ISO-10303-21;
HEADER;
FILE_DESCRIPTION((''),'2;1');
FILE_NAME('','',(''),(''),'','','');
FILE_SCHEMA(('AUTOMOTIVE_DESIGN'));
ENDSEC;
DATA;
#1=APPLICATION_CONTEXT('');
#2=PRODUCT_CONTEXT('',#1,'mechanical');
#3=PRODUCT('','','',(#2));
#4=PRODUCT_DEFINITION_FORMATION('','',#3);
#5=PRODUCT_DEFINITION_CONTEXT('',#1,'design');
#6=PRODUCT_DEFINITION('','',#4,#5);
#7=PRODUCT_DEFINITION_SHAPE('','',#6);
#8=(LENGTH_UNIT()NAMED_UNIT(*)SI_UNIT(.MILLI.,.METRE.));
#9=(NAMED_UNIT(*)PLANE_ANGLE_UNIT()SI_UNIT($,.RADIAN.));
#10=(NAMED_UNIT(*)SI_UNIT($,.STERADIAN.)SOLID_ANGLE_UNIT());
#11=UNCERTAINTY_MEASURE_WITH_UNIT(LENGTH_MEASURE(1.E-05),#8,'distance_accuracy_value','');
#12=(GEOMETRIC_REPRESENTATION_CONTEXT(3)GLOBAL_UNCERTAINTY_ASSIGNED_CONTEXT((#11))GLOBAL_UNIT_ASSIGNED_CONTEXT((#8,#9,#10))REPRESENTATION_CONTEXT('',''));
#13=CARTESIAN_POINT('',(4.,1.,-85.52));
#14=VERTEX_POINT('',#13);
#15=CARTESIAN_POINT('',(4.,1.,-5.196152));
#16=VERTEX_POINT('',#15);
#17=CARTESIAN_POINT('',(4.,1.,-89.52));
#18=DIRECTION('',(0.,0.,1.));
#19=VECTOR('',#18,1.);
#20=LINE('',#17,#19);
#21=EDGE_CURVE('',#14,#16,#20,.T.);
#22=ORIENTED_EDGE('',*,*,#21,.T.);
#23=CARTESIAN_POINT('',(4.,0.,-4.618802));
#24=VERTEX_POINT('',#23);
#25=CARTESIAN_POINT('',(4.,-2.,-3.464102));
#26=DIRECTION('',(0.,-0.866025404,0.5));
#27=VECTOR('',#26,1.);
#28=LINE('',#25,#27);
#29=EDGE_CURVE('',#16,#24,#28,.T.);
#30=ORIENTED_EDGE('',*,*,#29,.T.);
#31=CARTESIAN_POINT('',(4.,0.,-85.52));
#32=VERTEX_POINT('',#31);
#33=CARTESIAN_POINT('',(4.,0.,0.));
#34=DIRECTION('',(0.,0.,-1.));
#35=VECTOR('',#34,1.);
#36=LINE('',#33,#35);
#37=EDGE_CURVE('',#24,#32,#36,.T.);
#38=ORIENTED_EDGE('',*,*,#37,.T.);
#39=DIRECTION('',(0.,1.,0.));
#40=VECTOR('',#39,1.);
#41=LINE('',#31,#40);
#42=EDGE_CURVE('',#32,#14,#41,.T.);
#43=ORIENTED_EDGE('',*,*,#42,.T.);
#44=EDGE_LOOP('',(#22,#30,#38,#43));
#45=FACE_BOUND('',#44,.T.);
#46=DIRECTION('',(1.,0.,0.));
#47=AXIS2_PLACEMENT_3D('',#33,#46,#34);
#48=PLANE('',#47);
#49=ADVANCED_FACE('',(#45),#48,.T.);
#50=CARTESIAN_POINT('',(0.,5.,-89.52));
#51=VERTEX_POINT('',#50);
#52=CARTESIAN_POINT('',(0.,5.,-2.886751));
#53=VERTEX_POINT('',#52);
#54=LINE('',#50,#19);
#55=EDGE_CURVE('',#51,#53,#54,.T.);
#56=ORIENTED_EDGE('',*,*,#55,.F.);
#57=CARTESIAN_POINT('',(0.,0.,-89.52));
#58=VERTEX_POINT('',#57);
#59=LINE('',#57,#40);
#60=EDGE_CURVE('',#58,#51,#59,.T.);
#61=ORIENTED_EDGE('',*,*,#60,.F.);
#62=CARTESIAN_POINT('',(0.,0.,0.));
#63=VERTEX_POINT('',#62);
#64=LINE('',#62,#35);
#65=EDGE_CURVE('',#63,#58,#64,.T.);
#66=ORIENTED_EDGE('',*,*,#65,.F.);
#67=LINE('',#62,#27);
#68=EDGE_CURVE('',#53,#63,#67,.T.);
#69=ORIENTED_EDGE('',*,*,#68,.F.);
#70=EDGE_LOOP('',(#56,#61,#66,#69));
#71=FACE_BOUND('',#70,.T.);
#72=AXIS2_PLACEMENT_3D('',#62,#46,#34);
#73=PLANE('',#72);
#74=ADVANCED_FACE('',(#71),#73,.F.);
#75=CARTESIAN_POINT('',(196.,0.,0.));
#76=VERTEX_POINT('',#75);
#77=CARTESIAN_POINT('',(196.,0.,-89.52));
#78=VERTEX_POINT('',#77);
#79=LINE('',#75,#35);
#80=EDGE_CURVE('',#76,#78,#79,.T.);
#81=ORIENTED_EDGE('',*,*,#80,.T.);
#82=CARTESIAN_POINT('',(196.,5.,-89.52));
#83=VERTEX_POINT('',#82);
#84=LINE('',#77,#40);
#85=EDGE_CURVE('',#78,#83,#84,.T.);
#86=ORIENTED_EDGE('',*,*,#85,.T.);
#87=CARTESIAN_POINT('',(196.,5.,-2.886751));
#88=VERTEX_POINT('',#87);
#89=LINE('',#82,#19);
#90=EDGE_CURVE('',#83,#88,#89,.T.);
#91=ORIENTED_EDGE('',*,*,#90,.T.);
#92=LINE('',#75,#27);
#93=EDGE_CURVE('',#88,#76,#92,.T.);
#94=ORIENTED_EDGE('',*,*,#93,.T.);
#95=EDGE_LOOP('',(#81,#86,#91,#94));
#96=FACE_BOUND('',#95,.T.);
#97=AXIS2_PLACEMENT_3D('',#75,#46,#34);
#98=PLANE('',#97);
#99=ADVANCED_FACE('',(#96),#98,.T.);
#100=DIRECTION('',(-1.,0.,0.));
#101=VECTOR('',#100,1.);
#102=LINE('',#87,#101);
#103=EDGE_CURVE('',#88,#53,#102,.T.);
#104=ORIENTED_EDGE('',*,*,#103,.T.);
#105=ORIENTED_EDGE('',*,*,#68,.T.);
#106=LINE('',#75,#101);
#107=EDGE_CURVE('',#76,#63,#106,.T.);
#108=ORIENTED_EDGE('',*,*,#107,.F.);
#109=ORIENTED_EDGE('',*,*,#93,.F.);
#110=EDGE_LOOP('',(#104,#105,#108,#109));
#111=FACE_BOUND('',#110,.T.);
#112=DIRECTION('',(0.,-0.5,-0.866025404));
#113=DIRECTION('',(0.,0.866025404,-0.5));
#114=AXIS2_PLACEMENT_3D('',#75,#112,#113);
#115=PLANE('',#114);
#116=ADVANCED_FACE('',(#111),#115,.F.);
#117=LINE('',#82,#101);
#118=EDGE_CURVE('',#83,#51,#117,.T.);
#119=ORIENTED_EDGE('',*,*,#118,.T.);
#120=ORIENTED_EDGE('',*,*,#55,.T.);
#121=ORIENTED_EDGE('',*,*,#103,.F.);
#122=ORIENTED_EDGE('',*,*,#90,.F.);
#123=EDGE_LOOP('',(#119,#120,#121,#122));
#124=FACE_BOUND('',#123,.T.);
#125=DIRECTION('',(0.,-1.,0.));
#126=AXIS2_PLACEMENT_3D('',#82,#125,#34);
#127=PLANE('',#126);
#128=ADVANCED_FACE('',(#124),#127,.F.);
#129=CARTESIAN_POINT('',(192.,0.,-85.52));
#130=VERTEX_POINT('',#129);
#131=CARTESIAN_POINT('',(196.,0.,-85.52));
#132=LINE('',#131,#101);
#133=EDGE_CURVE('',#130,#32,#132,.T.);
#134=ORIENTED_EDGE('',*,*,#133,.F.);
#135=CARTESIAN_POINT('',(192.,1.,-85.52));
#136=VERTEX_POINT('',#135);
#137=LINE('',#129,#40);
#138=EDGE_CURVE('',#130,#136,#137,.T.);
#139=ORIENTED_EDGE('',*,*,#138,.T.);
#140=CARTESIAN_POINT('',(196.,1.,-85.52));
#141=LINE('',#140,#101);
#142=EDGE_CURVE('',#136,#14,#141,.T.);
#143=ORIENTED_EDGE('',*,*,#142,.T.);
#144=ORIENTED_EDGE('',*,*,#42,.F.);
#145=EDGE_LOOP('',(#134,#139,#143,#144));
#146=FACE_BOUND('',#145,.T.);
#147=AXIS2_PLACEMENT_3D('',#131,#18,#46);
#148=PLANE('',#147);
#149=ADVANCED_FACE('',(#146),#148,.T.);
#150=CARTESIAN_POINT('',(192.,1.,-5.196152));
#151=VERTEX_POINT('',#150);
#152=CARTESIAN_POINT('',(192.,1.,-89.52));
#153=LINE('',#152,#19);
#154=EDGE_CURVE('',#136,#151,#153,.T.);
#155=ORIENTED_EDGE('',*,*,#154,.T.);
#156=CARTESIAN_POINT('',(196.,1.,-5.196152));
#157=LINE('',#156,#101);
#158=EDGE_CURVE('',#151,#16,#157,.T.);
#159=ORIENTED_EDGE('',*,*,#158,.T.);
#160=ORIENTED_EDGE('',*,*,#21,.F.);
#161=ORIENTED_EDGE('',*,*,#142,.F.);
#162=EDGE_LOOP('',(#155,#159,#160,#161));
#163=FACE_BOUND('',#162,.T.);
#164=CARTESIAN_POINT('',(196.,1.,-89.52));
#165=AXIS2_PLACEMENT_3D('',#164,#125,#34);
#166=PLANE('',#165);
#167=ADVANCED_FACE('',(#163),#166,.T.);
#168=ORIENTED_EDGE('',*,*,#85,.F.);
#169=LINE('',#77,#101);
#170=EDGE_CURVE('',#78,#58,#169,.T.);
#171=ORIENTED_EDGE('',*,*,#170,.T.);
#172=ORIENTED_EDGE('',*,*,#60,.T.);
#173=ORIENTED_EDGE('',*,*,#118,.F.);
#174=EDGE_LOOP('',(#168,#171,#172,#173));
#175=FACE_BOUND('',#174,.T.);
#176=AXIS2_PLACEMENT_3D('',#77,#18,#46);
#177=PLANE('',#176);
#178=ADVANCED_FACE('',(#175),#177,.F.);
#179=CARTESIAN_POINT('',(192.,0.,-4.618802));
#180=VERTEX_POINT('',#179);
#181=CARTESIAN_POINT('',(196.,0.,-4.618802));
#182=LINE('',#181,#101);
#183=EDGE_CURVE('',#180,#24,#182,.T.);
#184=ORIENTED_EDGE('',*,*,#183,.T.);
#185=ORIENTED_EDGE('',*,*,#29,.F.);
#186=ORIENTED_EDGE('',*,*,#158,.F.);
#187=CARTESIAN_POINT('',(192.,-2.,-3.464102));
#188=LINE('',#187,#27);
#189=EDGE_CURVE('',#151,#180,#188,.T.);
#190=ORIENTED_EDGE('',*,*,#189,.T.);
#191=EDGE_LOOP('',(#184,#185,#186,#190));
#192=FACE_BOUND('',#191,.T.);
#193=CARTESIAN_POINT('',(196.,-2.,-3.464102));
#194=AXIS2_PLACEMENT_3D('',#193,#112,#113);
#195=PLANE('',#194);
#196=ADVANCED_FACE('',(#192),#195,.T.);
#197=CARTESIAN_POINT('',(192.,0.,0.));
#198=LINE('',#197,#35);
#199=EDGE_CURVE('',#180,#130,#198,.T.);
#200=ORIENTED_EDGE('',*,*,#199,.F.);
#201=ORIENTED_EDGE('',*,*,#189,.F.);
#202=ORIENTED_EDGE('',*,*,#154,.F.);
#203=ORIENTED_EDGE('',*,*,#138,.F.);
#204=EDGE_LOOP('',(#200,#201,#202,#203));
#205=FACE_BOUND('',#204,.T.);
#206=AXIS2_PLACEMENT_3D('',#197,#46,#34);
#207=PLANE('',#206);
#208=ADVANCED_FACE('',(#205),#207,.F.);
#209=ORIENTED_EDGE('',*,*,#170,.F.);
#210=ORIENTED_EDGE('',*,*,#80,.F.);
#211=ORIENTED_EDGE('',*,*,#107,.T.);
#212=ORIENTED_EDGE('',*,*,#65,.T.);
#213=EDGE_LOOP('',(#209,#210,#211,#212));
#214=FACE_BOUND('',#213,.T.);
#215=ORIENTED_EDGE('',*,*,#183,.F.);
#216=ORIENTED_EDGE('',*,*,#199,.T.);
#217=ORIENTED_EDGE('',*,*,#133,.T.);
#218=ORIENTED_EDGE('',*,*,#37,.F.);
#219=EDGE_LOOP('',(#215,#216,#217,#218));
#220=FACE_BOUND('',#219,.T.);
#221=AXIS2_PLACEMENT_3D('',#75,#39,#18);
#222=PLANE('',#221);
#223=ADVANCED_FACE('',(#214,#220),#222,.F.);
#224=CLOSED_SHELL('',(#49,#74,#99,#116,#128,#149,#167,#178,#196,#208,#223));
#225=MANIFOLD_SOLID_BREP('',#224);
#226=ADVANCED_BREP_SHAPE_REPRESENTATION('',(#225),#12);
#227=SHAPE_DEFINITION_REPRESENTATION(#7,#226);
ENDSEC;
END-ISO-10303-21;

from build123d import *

# Parameters (mm, degrees)
SALIENTE_EXTRUIR1_DEPTH = 196
VACIADO1_T              = -4


with BuildPart() as part:
    # Croquis1 → Saliente-Extruir1 (new body)
    with BuildSketch(Plane(origin=(0, 0, 0), x_dir=(0, 0, -1), z_dir=(1, 0, 0))):
        Polygon((0, 0), (89.52, 0), (89.52, 5), (2.886751346, 5), align=None)
    extrude(amount=SALIENTE_EXTRUIR1_DEPTH)

    # Vaciado1
    vaciado1_openings = [part.faces().sort_by_distance(p)[0] for p in [
        (98, 0, -44.76),
    ]]
    offset(amount=VACIADO1_T, openings=vaciado1_openings, kind=Kind.INTERSECTION)


solid = part.part
